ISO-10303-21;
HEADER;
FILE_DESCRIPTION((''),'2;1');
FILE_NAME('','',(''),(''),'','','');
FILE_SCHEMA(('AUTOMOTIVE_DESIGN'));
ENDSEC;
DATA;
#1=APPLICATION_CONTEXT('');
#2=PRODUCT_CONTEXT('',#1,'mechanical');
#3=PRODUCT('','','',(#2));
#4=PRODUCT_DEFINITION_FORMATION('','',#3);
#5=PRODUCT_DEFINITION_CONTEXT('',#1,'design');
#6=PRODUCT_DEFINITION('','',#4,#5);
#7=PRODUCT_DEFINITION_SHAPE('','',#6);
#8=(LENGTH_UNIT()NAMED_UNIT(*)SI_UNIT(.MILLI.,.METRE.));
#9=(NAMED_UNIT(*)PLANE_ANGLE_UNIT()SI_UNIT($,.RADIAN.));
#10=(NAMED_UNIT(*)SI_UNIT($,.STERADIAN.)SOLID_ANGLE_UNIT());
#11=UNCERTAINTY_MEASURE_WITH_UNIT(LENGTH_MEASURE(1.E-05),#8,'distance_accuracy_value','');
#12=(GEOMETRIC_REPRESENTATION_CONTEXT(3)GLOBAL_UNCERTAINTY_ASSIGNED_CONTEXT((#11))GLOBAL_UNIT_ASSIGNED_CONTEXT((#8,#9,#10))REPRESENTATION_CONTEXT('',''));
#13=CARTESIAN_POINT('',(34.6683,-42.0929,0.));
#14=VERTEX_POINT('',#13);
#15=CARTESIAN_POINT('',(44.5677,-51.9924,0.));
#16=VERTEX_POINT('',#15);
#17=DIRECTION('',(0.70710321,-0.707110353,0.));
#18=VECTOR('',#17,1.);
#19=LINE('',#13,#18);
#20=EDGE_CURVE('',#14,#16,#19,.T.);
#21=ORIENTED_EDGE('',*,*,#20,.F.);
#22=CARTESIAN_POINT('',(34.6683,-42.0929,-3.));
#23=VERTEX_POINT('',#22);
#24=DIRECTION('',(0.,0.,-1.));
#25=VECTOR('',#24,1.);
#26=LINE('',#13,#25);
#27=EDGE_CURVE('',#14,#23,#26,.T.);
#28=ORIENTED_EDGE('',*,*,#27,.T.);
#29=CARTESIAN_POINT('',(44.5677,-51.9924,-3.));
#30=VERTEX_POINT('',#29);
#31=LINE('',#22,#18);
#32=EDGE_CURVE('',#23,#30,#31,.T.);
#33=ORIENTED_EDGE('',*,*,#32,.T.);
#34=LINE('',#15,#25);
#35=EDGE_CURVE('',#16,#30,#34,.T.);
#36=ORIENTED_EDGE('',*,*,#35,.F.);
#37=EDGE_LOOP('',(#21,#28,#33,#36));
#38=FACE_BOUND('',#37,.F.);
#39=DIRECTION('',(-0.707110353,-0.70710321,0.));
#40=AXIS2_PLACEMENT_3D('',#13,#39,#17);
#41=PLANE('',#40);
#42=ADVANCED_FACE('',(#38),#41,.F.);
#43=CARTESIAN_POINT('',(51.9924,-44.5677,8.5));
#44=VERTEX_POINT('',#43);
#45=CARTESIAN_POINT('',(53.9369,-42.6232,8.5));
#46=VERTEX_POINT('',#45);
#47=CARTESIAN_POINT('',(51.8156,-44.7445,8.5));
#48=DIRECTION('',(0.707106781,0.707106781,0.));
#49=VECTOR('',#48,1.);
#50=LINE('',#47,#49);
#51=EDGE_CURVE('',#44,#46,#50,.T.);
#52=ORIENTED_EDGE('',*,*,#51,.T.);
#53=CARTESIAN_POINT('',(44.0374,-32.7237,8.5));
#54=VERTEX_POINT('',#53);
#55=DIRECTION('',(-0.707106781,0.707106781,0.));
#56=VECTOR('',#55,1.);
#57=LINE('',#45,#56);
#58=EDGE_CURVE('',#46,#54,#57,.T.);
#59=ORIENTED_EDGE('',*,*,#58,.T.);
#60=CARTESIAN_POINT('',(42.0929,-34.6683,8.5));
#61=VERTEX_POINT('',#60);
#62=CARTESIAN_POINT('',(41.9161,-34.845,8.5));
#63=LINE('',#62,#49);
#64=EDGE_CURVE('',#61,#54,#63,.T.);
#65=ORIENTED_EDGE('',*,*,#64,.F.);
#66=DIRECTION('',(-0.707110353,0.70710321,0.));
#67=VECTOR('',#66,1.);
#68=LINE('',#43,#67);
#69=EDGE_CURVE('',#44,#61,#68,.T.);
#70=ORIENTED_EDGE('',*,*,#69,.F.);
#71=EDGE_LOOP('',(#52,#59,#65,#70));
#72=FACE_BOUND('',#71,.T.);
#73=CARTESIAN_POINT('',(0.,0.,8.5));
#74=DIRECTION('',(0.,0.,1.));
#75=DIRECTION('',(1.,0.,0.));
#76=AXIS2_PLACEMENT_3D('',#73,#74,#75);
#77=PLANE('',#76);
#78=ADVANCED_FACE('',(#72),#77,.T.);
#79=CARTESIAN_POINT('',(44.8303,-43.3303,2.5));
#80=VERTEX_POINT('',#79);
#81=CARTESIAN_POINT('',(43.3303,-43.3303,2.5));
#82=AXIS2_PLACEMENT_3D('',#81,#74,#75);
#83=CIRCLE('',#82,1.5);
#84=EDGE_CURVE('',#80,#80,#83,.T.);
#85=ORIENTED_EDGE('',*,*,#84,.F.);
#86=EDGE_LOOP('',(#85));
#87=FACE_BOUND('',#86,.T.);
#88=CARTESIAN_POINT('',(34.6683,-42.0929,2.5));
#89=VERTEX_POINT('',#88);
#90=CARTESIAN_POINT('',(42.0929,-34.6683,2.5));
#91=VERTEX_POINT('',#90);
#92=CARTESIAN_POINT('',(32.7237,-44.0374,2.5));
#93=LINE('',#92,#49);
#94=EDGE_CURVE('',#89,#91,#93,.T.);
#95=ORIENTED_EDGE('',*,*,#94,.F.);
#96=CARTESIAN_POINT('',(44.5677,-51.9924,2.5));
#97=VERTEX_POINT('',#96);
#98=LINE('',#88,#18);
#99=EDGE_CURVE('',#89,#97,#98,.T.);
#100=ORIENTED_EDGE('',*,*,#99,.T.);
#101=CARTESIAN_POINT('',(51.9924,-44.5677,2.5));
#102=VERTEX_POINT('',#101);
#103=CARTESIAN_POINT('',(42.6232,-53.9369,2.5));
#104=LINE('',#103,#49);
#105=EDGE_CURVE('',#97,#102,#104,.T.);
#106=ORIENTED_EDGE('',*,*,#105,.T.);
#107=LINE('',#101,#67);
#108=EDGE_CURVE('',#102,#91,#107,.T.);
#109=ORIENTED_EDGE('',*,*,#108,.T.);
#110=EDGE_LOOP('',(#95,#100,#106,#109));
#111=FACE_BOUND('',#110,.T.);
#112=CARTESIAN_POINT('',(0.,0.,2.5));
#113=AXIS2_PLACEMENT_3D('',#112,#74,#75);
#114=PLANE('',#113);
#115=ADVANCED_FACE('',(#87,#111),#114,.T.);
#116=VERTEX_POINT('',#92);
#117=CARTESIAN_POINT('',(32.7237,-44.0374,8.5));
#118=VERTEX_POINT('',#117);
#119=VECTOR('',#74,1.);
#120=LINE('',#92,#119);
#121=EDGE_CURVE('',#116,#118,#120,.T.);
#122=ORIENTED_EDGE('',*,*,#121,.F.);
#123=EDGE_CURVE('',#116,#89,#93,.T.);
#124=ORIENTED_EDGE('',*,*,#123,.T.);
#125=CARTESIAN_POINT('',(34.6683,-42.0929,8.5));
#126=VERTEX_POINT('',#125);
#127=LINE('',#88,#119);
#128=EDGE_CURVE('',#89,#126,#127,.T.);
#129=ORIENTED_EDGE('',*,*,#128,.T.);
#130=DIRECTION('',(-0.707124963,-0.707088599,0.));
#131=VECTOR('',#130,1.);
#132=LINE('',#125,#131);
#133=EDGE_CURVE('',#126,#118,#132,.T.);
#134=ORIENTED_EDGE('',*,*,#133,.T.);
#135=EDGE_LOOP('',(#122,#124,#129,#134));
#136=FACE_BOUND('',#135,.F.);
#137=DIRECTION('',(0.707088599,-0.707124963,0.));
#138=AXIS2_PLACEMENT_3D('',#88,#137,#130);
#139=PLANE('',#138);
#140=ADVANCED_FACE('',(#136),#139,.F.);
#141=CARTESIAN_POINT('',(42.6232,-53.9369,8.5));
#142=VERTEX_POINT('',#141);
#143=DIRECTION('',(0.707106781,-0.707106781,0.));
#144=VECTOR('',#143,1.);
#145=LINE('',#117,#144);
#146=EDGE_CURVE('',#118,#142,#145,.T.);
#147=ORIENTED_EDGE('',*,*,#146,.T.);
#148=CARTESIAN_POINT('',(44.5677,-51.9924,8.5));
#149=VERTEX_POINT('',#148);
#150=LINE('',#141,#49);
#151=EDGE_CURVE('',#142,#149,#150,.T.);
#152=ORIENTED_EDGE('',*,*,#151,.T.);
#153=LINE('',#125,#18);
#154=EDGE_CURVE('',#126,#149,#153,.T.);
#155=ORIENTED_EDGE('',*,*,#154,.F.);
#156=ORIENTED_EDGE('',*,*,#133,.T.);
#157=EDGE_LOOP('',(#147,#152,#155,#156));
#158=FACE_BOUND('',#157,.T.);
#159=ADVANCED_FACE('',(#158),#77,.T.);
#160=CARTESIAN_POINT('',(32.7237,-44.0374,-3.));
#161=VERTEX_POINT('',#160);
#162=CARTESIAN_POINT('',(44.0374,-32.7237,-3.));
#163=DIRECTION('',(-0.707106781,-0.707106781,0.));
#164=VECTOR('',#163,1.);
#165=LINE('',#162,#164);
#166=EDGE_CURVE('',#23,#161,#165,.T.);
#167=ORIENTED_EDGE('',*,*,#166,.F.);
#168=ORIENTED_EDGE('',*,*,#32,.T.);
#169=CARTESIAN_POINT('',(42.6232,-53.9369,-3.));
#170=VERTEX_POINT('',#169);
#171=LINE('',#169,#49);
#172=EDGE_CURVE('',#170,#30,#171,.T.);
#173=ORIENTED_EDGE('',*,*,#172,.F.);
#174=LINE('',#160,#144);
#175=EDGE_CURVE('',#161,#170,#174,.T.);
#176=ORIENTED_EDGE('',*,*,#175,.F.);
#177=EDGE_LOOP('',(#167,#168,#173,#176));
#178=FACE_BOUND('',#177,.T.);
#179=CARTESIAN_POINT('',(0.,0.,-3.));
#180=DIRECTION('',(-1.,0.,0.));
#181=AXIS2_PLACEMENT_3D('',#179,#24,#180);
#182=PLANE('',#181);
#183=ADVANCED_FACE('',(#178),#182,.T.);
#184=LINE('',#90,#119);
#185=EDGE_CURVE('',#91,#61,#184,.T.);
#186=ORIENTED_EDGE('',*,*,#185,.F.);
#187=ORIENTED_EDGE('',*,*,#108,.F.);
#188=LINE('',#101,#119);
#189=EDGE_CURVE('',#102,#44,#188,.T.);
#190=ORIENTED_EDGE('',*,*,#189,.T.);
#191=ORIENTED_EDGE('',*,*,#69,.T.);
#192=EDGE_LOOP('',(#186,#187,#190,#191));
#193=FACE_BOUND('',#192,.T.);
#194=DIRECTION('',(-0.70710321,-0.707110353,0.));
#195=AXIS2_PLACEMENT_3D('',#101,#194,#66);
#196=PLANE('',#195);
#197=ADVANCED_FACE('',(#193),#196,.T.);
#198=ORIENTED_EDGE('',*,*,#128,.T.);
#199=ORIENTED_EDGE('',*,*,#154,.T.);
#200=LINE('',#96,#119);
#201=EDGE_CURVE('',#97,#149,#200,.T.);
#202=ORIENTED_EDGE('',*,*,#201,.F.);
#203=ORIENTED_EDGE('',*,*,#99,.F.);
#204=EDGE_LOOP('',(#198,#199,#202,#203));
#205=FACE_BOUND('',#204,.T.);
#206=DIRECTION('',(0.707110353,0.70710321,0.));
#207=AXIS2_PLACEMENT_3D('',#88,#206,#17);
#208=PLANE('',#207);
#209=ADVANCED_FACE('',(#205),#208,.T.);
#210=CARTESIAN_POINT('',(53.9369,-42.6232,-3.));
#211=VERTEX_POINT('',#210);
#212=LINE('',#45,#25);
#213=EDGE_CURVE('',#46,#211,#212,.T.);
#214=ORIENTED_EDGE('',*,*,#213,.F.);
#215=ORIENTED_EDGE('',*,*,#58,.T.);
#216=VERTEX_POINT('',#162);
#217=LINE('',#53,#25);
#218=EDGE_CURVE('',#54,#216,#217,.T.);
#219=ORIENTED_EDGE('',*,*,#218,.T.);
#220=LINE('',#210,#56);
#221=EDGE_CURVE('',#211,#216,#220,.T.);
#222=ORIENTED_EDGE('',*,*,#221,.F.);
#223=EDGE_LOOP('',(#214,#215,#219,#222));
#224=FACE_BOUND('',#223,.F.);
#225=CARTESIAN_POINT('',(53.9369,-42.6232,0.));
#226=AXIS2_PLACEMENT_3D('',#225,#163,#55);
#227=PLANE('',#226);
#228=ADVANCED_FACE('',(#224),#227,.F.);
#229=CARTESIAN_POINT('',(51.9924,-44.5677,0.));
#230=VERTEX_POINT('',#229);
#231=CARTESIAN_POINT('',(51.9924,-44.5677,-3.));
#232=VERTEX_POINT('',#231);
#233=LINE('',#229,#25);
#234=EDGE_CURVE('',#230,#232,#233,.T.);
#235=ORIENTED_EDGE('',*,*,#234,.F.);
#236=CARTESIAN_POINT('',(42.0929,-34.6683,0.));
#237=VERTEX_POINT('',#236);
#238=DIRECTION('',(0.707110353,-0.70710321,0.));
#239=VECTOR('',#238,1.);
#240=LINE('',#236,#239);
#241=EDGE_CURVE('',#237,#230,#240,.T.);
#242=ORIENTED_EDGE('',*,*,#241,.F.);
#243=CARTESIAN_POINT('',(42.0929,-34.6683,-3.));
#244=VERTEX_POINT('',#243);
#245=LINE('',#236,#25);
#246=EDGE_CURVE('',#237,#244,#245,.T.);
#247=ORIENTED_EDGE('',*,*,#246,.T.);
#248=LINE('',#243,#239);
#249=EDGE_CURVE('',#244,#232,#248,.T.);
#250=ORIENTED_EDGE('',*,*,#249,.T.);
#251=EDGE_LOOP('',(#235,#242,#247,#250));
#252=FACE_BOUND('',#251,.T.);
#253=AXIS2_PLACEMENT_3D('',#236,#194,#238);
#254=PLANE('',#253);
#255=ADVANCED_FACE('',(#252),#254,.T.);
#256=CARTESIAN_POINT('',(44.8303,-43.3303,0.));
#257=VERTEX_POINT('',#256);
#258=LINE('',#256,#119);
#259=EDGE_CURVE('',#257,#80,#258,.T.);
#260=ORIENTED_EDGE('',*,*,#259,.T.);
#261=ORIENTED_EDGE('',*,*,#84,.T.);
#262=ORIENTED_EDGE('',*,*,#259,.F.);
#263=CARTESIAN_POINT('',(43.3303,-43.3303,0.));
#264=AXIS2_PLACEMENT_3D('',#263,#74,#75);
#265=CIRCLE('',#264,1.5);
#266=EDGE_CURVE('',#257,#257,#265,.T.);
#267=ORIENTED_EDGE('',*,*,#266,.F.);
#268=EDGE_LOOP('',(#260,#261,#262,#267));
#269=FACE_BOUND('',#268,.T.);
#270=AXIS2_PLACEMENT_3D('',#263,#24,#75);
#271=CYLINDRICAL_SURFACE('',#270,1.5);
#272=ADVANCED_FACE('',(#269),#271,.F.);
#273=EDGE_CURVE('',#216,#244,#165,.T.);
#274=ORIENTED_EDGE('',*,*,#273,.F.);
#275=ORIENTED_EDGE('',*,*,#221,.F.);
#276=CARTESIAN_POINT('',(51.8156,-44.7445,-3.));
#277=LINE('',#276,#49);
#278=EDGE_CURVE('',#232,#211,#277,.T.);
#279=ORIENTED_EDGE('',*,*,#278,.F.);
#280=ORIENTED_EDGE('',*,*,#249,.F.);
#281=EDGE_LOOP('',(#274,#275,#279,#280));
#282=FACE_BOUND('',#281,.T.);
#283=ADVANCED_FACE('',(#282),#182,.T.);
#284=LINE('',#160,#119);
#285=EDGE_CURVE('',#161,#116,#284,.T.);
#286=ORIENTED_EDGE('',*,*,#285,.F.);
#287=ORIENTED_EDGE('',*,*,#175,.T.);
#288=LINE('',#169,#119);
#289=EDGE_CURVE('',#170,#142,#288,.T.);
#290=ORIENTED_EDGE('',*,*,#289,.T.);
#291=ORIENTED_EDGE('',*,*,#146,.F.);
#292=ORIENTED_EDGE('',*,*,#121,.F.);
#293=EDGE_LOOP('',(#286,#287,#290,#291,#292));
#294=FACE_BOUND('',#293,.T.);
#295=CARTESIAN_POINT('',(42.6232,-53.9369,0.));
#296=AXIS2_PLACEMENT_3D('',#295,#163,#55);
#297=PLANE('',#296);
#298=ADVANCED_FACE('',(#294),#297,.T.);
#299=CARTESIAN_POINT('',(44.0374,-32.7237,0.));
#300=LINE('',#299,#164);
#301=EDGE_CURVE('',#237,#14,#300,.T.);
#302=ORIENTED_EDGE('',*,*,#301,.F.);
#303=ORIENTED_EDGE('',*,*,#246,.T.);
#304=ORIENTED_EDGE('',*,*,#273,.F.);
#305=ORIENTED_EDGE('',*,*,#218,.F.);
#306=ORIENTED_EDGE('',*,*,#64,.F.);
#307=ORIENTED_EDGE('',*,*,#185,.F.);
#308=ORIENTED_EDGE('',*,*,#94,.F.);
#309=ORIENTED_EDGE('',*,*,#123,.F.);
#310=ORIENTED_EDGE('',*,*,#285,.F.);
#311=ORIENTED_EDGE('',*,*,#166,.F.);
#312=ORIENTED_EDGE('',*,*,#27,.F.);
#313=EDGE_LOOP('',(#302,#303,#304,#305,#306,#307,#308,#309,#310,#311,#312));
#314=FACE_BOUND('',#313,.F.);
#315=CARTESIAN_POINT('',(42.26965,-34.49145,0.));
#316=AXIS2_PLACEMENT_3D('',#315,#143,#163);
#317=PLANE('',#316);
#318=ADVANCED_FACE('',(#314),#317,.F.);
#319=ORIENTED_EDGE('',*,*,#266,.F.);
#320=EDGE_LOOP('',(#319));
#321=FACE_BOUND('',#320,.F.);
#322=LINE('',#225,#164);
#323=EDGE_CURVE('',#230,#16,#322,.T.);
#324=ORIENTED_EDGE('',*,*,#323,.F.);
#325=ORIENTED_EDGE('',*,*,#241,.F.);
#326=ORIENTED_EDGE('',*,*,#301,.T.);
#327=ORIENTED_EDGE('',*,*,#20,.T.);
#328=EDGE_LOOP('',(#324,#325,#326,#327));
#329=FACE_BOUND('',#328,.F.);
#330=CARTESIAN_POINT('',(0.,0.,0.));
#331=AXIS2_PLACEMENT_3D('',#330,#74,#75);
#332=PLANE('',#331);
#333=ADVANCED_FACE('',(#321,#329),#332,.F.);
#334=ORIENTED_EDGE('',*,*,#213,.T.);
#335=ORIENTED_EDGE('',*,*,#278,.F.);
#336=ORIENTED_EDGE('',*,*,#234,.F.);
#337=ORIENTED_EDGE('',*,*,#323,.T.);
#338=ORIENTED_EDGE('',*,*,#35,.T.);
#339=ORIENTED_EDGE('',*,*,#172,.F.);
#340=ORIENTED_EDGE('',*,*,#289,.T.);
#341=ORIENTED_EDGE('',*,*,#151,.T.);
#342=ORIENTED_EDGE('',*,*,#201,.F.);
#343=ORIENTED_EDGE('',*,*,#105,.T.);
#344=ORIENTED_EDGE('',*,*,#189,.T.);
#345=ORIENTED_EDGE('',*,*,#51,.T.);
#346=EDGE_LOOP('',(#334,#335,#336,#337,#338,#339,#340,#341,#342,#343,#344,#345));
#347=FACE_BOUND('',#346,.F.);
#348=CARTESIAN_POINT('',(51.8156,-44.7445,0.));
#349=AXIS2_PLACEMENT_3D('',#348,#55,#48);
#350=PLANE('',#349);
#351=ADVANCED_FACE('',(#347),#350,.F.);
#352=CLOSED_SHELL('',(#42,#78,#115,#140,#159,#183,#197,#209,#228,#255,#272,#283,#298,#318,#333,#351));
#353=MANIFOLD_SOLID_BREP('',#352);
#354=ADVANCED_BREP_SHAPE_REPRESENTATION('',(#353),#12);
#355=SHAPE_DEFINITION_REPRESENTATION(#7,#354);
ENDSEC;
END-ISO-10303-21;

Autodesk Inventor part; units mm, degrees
ref_plane "YZ Plane" through (0, 0, 0) normal (1, 0, 0) x (0, 1, 0)
ref_plane "XZ Plane" through (0, 0, 0) normal (0, 1, 0) x (-1, 0, 0)
ref_plane "XY Plane" through (0, 0, 0) normal (0, 0, 1) x (1, 0, 0)
sketch "Sketch1" plane through (0, 0, 0) normal (0, 0, 1) x (1, 0, 0)
  circle A0 centre (43.3303, -43.3303) radius 1.5 projected
  circle A1 centre (32.0698, -32.0698) radius 1.5 projected
  arc A2 (2.3181, 4.753) -> (-4.753, -2.3181) centre (-1.2174, 1.2174) ccw projected
  line L0 (-4.753, -2.3181) -> (44.7445, -51.8156) projected
  line L1 (44.7445, -51.8156) -> (51.8156, -44.7445) projected
  line L2 (51.8156, -44.7445) -> (2.3181, 4.753) projected
  line L3 (44.7445, -51.8156) -> (34.845, -41.9161)
  line L4 (44.7445, -51.8156) -> (51.8156, -44.7445)
  line L5 (51.8156, -44.7445) -> (41.9161, -34.845)
  line L6 (34.845, -41.9161) -> (41.9161, -34.845)
  line L7 (44.7445, -51.8156) -> (42.6232, -53.9369)
  line L8 (42.6232, -53.9369) -> (32.7237, -44.0374)
  line L9 (32.7237, -44.0374) -> (34.845, -41.9161)
  line L10 (51.8156, -44.7445) -> (53.9369, -42.6232)
  line L11 (53.9369, -42.6232) -> (44.0374, -32.7237)
  line L12 (44.0374, -32.7237) -> (41.9161, -34.845)
  line L13 (44.391, -52.1691) -> (34.4915, -42.2697)
  line L14 (52.1691, -44.391) -> (42.2697, -34.4915)
  point P0 (0, 0)
  dimension "d1" = 7
  dimension "d2" = 3
  dimension "d3" = 3
  dimension "d10" = 0.5
  dimension "d11" = 0.5
extrude "Extrusion1" add sketch "Sketch1" along normal blind 2.5 contours L12 L14 L10 L2 | L2 L1 L0 L6 | L0 L7 L13 L9 | L12 L11 L10 L14 | L13 L7 L8 L9
sketch "Sketch2" plane through (0, 0, 0) normal (0, 0, -1) x (-1, 0, 0)
  line L0 (-32.7237, -44.0374) -> (-42.6232, -53.9369) projected
  line L1 (4.753, -2.3181) -> (-44.7445, -51.8156) projected
  line L2 (-42.6232, -53.9369) -> (-44.7445, -51.8156) projected
  line L3 (-44.0374, -32.7237) -> (-32.7237, -44.0374) projected
  line L4 (-53.9369, -42.6232) -> (-44.0374, -32.7237) projected
  line L5 (-51.8156, -44.7445) -> (-2.3181, 4.753) projected
  line L6 (-51.8156, -44.7445) -> (-53.9369, -42.6232) projected
  line L7 (-32.7237, -44.0374) -> (-34.845, -41.9161)
  line L8 (-44.0374, -32.7237) -> (-32.7237, -44.0374) projected
  line L9 (-44.0374, -32.7237) -> (-41.9161, -34.845)
  line L10 (-34.6683, -42.0929) -> (-44.5677, -51.9924)
  line L11 (-42.0929, -34.6683) -> (-51.9924, -44.5677)
  point P0 (0, 0)
  dimension "d12" = 0.25
  dimension "d13" = 0.25
extrude "Extrusion2" add sketch "Sketch2" along normal blind 3 contours L0 L2 L10 L3 | L11 L6 L4 L3
sketch "Sketch3" plane through (0, 0, 2.5) normal (0, 0, 1) x (1, 0, 0)
  line L0 (-4.753, -2.3181) -> (44.7445, -51.8156) projected
  line L1 (42.6232, -53.9369) -> (44.7445, -51.8156) projected
  line L2 (32.7237, -44.0374) -> (42.6232, -53.9369) projected
  line L3 (53.9369, -42.6232) -> (44.0374, -32.7237) projected
  line L4 (51.8156, -44.7445) -> (53.9369, -42.6232) projected
  line L5 (51.8156, -44.7445) -> (2.3181, 4.753) projected
  line L6 (41.9161, -34.845) -> (44.0374, -32.7237)
  line L7 (51.9924, -44.5677) -> (42.0929, -34.6683) projected
  line L8 (34.6683, -42.0929) -> (44.5677, -51.9924) projected
  line L9 (34.6683, -42.0929) -> (32.7237, -44.0374)
  line L10 (44.0374, -32.7237) -> (32.7237, -44.0374) projected
  point P0 (0, 0)
extrude "Extrusion3" add sketch "Sketch3" along normal blind 6 contours L8 L1 L2 L9 | L6 L3 L4 L7
properties part number "eye_cam_arm_brace"
